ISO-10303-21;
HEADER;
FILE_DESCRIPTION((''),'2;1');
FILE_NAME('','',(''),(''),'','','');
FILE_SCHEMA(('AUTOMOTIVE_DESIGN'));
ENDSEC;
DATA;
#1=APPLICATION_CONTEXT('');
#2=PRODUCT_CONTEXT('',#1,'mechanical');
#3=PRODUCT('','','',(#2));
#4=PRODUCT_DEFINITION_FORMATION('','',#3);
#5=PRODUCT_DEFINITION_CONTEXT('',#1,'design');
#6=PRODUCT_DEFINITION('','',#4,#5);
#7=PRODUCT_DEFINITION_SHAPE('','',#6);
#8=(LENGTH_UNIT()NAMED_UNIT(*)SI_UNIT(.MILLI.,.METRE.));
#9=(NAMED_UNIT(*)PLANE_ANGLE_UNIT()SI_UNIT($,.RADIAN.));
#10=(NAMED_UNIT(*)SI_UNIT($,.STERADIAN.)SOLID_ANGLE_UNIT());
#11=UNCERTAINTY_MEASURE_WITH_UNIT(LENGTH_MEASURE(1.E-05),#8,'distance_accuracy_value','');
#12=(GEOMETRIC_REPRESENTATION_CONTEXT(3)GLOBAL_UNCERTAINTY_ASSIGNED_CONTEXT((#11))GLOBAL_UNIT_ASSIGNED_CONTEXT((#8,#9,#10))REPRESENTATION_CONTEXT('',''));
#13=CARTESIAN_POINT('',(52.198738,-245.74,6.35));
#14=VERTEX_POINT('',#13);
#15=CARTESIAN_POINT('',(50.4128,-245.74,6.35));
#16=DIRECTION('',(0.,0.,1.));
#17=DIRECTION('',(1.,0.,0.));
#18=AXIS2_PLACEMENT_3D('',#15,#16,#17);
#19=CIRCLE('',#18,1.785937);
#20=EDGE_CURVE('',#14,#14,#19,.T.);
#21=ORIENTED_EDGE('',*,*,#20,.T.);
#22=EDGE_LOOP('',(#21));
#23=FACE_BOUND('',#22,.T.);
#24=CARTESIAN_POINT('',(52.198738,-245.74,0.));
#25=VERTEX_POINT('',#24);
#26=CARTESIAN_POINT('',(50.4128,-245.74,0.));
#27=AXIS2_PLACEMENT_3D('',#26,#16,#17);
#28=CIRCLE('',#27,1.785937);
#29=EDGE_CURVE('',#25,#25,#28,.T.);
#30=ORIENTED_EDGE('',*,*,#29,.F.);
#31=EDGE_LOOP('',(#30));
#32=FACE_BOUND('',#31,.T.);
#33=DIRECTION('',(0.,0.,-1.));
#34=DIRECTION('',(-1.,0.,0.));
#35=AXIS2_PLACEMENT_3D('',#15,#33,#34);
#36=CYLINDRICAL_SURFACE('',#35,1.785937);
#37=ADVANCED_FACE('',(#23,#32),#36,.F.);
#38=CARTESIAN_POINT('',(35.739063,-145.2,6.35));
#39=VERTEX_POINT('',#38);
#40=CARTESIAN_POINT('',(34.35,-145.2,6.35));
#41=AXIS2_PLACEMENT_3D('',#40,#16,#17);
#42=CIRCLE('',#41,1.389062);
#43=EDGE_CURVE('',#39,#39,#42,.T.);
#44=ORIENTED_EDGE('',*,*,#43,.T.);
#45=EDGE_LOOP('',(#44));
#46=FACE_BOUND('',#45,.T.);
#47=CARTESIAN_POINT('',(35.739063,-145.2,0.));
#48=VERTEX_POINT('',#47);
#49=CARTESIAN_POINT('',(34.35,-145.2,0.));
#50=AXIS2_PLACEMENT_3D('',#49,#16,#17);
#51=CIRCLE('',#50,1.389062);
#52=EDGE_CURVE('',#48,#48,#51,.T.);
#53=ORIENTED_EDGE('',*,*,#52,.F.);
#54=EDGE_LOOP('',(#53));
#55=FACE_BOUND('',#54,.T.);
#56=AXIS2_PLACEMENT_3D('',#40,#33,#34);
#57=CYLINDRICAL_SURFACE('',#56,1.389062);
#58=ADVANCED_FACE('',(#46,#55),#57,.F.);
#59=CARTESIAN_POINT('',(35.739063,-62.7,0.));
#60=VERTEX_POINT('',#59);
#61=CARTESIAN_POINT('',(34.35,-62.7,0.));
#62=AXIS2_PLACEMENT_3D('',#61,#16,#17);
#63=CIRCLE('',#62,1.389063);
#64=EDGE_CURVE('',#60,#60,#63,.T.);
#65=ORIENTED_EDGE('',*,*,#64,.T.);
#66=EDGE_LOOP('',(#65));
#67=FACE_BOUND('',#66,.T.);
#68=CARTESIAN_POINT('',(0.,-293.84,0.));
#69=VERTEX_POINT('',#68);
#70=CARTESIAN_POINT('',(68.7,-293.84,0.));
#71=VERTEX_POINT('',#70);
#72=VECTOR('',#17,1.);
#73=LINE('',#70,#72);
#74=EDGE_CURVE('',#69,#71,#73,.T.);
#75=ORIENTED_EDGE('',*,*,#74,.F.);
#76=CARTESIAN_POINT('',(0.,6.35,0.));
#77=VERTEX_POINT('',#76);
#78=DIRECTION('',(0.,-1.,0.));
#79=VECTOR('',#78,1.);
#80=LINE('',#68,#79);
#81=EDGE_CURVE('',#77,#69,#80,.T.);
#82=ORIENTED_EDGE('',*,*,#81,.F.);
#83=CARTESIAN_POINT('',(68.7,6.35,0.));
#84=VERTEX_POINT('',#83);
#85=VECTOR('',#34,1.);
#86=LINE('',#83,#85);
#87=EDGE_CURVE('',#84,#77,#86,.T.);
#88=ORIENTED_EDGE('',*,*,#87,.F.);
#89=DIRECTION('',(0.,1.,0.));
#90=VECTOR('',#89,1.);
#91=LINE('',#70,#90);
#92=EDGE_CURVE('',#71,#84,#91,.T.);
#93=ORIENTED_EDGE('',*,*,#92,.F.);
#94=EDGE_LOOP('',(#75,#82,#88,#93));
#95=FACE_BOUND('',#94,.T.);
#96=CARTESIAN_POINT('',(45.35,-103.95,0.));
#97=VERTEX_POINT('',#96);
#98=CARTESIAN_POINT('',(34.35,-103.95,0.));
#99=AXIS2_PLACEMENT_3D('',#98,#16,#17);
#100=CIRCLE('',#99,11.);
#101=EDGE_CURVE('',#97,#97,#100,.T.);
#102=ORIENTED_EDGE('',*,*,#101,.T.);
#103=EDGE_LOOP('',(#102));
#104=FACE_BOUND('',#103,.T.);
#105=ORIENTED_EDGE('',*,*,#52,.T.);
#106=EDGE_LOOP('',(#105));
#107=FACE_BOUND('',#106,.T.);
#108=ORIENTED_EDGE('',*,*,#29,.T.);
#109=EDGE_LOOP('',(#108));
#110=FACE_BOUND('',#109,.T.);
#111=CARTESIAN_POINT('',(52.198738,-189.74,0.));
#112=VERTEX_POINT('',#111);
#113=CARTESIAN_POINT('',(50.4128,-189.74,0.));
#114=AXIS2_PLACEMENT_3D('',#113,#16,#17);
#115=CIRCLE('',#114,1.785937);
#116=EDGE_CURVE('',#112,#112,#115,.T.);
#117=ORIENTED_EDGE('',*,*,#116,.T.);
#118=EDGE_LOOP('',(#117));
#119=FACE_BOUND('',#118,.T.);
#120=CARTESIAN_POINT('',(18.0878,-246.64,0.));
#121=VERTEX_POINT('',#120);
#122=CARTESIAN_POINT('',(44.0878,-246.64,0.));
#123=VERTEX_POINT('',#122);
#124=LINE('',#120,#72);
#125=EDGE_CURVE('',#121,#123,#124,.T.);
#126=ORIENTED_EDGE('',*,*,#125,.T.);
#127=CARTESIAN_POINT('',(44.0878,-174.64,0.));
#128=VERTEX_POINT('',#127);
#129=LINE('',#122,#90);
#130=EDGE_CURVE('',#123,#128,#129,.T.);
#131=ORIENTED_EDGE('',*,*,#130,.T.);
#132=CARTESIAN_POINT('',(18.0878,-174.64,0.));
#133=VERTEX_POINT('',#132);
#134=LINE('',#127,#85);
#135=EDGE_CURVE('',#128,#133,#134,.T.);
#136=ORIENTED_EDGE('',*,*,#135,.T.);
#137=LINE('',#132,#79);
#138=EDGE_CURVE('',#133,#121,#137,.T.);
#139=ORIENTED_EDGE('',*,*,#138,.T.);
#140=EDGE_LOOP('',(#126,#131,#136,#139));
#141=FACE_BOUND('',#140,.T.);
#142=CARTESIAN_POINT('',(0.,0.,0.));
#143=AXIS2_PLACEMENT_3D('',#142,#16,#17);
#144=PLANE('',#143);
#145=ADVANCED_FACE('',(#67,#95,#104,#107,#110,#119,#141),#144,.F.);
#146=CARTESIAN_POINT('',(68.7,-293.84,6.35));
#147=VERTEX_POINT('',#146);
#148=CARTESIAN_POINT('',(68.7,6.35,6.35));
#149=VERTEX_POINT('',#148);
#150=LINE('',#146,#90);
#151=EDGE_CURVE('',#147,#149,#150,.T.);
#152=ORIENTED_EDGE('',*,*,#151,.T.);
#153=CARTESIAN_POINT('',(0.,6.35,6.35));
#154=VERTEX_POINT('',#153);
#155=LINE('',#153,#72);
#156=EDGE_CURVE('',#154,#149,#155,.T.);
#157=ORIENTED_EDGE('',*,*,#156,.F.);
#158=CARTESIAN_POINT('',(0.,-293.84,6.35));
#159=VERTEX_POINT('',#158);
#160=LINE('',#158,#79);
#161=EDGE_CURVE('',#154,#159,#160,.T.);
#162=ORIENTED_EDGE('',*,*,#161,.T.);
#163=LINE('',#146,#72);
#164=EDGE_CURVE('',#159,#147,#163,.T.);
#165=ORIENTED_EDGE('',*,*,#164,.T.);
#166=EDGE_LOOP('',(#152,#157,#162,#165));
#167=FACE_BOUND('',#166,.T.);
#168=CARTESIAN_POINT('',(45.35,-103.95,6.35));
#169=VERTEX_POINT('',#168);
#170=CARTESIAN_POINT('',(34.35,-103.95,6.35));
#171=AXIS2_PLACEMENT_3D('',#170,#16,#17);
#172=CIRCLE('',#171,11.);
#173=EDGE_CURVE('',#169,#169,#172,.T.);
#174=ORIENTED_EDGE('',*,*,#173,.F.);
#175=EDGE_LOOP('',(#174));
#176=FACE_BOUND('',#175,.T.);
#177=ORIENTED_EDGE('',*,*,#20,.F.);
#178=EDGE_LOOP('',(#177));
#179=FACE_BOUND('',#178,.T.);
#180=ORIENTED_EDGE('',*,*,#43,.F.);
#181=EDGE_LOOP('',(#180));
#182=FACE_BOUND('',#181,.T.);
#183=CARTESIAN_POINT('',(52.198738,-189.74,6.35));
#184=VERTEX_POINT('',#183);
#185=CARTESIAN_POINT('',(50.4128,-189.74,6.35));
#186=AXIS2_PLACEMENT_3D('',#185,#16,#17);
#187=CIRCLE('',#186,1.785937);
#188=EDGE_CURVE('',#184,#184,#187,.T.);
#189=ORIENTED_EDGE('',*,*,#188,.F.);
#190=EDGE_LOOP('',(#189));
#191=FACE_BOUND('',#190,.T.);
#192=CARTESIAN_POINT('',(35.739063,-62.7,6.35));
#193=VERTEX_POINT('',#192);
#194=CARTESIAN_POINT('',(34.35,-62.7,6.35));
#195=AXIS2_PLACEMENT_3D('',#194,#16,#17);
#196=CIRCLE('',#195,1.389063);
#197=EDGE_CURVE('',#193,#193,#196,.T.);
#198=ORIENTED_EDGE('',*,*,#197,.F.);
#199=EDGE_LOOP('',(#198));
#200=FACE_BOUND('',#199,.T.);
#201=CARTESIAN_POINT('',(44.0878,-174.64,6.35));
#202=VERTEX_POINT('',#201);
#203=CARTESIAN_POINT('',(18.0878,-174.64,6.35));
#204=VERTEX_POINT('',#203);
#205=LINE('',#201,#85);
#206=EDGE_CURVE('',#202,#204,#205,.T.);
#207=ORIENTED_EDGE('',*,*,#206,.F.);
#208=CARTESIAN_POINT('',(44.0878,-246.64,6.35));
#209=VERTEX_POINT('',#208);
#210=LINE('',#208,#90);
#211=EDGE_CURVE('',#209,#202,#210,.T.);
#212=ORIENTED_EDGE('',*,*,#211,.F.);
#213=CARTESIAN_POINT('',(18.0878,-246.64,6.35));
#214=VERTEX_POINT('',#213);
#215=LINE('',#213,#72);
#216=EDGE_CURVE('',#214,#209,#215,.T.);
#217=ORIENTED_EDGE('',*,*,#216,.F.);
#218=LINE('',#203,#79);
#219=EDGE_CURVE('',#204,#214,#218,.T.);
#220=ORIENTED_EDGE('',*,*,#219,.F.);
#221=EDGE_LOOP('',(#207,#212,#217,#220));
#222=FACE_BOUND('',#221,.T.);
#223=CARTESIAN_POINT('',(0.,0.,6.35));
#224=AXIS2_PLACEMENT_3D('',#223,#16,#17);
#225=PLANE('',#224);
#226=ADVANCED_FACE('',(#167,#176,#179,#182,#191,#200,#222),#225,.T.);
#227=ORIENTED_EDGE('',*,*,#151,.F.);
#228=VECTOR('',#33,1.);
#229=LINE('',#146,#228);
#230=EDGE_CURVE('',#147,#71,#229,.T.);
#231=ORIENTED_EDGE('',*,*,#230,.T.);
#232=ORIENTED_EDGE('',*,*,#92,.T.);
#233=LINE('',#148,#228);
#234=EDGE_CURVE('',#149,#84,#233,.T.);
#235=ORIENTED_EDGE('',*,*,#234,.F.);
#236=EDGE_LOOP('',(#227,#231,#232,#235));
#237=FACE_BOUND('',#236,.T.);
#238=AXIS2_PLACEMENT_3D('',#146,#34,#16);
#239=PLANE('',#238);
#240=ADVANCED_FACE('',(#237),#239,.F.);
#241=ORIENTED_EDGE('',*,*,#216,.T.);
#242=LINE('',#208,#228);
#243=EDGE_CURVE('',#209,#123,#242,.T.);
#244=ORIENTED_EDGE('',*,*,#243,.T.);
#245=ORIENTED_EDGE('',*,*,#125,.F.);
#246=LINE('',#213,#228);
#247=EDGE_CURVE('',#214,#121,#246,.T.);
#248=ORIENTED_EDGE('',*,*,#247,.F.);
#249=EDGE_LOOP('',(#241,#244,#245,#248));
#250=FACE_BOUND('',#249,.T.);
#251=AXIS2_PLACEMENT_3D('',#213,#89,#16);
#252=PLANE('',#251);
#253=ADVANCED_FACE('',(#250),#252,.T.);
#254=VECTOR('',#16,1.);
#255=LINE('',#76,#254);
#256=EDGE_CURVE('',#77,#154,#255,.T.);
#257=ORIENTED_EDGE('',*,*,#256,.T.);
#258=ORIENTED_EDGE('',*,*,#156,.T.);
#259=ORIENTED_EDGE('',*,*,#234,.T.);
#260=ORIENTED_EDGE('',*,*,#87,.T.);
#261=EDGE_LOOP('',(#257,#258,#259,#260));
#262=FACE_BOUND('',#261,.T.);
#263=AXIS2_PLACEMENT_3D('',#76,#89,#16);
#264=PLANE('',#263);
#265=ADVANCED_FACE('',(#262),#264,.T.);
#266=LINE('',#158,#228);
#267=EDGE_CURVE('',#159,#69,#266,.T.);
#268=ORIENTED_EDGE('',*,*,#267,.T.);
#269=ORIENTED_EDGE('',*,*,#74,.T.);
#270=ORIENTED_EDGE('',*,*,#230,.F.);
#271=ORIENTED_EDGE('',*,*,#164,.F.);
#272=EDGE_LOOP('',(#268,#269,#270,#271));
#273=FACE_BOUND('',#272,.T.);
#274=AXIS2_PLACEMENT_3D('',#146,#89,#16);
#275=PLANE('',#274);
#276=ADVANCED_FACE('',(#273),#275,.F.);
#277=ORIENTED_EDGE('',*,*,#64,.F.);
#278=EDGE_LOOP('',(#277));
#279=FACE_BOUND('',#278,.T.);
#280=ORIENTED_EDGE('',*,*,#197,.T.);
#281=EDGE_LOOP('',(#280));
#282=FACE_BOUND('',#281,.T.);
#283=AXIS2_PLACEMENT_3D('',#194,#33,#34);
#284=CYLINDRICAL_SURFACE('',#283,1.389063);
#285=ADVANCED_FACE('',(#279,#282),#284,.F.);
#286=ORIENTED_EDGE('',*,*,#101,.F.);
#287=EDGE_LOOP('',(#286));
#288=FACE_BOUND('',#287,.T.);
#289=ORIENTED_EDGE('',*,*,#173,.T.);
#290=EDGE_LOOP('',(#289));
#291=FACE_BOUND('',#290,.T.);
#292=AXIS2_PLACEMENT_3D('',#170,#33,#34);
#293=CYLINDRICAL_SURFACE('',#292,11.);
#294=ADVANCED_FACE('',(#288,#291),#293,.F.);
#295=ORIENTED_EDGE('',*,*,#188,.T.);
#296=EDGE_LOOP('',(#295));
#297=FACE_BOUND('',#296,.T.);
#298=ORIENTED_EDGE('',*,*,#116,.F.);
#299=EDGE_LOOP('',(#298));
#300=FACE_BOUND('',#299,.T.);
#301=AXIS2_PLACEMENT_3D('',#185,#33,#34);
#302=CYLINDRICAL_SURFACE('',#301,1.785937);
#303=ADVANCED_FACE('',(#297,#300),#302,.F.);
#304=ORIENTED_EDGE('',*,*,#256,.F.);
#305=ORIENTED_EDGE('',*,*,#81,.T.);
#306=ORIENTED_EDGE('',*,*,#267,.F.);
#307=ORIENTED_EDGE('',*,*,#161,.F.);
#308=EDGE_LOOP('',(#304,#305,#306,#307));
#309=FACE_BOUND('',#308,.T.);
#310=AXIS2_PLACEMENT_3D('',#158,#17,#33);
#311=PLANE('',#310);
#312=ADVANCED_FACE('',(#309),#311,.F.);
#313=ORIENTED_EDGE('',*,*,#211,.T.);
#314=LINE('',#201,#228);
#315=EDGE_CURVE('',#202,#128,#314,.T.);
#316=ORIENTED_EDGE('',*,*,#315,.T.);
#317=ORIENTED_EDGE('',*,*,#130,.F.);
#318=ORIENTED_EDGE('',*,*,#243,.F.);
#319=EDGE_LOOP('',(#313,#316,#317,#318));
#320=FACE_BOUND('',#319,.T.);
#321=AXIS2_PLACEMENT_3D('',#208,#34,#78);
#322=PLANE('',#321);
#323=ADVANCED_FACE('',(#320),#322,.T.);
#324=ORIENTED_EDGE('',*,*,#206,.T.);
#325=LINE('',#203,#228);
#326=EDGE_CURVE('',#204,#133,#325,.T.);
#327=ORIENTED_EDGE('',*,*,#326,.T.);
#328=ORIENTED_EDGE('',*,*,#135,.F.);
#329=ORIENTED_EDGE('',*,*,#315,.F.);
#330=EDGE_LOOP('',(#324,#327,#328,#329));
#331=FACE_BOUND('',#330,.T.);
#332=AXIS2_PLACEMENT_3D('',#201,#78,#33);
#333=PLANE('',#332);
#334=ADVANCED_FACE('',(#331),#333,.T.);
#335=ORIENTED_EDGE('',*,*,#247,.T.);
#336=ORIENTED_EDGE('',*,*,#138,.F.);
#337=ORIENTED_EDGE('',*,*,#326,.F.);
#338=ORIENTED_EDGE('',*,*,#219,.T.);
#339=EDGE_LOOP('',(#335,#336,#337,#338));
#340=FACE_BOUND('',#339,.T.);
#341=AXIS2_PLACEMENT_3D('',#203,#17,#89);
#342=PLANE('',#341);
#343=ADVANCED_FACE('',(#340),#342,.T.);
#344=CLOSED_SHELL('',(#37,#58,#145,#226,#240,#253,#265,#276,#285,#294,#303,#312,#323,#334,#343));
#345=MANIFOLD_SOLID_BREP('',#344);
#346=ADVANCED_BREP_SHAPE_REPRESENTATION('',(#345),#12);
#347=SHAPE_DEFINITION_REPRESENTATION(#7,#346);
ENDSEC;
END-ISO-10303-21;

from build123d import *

# Parameters (mm, degrees)
SKETCH1_W           = 68.7
SKETCH1_H           = 293.84
SKETCH1_R           = 1.7859375
SKETCH1_R_2         = 1.3890625
SKETCH1_R_3         = 11
SKETCH1_W_2         = 26
SKETCH1_H_2         = 72
BOSS_EXTRUDE1_DEPTH = 6.35
SKETCH2_W           = 68.7
SKETCH2_H           = 6.35
BOSS_EXTRUDE2_DEPTH = 6.35


with BuildPart() as part:
    # Sketch1 → Boss-Extrude1 (new body)
    with BuildSketch(Plane.XY):
        with Locations((34.35, -146.92)):
            Rectangle(SKETCH1_W, SKETCH1_H)
        with Locations((50.4128, -189.74)):
            Circle(SKETCH1_R, mode=Mode.SUBTRACT)
        with Locations((50.4128, -245.74)):
            Circle(SKETCH1_R, mode=Mode.SUBTRACT)
        with Locations((34.35, -145.2)):
            Circle(SKETCH1_R_2, mode=Mode.SUBTRACT)
        with Locations((34.35, -103.95)):
            Circle(SKETCH1_R_3, mode=Mode.SUBTRACT)
        with Locations((34.35, -62.7)):
            Circle(SKETCH1_R_2, mode=Mode.SUBTRACT)
        with Locations((31.0878, -210.64)):
            Rectangle(SKETCH1_W_2, SKETCH1_H_2, mode=Mode.SUBTRACT)
    extrude(amount=BOSS_EXTRUDE1_DEPTH)

    # Sketch2 → Boss-Extrude2 (add)
    with BuildSketch(Plane(origin=(0, 0, 0), x_dir=(1, 0, 0), z_dir=(0, 1, 0))):
        with Locations((34.35, -3.175)):
            Rectangle(SKETCH2_W, SKETCH2_H)
    extrude(amount=BOSS_EXTRUDE2_DEPTH)


solid = part.part
